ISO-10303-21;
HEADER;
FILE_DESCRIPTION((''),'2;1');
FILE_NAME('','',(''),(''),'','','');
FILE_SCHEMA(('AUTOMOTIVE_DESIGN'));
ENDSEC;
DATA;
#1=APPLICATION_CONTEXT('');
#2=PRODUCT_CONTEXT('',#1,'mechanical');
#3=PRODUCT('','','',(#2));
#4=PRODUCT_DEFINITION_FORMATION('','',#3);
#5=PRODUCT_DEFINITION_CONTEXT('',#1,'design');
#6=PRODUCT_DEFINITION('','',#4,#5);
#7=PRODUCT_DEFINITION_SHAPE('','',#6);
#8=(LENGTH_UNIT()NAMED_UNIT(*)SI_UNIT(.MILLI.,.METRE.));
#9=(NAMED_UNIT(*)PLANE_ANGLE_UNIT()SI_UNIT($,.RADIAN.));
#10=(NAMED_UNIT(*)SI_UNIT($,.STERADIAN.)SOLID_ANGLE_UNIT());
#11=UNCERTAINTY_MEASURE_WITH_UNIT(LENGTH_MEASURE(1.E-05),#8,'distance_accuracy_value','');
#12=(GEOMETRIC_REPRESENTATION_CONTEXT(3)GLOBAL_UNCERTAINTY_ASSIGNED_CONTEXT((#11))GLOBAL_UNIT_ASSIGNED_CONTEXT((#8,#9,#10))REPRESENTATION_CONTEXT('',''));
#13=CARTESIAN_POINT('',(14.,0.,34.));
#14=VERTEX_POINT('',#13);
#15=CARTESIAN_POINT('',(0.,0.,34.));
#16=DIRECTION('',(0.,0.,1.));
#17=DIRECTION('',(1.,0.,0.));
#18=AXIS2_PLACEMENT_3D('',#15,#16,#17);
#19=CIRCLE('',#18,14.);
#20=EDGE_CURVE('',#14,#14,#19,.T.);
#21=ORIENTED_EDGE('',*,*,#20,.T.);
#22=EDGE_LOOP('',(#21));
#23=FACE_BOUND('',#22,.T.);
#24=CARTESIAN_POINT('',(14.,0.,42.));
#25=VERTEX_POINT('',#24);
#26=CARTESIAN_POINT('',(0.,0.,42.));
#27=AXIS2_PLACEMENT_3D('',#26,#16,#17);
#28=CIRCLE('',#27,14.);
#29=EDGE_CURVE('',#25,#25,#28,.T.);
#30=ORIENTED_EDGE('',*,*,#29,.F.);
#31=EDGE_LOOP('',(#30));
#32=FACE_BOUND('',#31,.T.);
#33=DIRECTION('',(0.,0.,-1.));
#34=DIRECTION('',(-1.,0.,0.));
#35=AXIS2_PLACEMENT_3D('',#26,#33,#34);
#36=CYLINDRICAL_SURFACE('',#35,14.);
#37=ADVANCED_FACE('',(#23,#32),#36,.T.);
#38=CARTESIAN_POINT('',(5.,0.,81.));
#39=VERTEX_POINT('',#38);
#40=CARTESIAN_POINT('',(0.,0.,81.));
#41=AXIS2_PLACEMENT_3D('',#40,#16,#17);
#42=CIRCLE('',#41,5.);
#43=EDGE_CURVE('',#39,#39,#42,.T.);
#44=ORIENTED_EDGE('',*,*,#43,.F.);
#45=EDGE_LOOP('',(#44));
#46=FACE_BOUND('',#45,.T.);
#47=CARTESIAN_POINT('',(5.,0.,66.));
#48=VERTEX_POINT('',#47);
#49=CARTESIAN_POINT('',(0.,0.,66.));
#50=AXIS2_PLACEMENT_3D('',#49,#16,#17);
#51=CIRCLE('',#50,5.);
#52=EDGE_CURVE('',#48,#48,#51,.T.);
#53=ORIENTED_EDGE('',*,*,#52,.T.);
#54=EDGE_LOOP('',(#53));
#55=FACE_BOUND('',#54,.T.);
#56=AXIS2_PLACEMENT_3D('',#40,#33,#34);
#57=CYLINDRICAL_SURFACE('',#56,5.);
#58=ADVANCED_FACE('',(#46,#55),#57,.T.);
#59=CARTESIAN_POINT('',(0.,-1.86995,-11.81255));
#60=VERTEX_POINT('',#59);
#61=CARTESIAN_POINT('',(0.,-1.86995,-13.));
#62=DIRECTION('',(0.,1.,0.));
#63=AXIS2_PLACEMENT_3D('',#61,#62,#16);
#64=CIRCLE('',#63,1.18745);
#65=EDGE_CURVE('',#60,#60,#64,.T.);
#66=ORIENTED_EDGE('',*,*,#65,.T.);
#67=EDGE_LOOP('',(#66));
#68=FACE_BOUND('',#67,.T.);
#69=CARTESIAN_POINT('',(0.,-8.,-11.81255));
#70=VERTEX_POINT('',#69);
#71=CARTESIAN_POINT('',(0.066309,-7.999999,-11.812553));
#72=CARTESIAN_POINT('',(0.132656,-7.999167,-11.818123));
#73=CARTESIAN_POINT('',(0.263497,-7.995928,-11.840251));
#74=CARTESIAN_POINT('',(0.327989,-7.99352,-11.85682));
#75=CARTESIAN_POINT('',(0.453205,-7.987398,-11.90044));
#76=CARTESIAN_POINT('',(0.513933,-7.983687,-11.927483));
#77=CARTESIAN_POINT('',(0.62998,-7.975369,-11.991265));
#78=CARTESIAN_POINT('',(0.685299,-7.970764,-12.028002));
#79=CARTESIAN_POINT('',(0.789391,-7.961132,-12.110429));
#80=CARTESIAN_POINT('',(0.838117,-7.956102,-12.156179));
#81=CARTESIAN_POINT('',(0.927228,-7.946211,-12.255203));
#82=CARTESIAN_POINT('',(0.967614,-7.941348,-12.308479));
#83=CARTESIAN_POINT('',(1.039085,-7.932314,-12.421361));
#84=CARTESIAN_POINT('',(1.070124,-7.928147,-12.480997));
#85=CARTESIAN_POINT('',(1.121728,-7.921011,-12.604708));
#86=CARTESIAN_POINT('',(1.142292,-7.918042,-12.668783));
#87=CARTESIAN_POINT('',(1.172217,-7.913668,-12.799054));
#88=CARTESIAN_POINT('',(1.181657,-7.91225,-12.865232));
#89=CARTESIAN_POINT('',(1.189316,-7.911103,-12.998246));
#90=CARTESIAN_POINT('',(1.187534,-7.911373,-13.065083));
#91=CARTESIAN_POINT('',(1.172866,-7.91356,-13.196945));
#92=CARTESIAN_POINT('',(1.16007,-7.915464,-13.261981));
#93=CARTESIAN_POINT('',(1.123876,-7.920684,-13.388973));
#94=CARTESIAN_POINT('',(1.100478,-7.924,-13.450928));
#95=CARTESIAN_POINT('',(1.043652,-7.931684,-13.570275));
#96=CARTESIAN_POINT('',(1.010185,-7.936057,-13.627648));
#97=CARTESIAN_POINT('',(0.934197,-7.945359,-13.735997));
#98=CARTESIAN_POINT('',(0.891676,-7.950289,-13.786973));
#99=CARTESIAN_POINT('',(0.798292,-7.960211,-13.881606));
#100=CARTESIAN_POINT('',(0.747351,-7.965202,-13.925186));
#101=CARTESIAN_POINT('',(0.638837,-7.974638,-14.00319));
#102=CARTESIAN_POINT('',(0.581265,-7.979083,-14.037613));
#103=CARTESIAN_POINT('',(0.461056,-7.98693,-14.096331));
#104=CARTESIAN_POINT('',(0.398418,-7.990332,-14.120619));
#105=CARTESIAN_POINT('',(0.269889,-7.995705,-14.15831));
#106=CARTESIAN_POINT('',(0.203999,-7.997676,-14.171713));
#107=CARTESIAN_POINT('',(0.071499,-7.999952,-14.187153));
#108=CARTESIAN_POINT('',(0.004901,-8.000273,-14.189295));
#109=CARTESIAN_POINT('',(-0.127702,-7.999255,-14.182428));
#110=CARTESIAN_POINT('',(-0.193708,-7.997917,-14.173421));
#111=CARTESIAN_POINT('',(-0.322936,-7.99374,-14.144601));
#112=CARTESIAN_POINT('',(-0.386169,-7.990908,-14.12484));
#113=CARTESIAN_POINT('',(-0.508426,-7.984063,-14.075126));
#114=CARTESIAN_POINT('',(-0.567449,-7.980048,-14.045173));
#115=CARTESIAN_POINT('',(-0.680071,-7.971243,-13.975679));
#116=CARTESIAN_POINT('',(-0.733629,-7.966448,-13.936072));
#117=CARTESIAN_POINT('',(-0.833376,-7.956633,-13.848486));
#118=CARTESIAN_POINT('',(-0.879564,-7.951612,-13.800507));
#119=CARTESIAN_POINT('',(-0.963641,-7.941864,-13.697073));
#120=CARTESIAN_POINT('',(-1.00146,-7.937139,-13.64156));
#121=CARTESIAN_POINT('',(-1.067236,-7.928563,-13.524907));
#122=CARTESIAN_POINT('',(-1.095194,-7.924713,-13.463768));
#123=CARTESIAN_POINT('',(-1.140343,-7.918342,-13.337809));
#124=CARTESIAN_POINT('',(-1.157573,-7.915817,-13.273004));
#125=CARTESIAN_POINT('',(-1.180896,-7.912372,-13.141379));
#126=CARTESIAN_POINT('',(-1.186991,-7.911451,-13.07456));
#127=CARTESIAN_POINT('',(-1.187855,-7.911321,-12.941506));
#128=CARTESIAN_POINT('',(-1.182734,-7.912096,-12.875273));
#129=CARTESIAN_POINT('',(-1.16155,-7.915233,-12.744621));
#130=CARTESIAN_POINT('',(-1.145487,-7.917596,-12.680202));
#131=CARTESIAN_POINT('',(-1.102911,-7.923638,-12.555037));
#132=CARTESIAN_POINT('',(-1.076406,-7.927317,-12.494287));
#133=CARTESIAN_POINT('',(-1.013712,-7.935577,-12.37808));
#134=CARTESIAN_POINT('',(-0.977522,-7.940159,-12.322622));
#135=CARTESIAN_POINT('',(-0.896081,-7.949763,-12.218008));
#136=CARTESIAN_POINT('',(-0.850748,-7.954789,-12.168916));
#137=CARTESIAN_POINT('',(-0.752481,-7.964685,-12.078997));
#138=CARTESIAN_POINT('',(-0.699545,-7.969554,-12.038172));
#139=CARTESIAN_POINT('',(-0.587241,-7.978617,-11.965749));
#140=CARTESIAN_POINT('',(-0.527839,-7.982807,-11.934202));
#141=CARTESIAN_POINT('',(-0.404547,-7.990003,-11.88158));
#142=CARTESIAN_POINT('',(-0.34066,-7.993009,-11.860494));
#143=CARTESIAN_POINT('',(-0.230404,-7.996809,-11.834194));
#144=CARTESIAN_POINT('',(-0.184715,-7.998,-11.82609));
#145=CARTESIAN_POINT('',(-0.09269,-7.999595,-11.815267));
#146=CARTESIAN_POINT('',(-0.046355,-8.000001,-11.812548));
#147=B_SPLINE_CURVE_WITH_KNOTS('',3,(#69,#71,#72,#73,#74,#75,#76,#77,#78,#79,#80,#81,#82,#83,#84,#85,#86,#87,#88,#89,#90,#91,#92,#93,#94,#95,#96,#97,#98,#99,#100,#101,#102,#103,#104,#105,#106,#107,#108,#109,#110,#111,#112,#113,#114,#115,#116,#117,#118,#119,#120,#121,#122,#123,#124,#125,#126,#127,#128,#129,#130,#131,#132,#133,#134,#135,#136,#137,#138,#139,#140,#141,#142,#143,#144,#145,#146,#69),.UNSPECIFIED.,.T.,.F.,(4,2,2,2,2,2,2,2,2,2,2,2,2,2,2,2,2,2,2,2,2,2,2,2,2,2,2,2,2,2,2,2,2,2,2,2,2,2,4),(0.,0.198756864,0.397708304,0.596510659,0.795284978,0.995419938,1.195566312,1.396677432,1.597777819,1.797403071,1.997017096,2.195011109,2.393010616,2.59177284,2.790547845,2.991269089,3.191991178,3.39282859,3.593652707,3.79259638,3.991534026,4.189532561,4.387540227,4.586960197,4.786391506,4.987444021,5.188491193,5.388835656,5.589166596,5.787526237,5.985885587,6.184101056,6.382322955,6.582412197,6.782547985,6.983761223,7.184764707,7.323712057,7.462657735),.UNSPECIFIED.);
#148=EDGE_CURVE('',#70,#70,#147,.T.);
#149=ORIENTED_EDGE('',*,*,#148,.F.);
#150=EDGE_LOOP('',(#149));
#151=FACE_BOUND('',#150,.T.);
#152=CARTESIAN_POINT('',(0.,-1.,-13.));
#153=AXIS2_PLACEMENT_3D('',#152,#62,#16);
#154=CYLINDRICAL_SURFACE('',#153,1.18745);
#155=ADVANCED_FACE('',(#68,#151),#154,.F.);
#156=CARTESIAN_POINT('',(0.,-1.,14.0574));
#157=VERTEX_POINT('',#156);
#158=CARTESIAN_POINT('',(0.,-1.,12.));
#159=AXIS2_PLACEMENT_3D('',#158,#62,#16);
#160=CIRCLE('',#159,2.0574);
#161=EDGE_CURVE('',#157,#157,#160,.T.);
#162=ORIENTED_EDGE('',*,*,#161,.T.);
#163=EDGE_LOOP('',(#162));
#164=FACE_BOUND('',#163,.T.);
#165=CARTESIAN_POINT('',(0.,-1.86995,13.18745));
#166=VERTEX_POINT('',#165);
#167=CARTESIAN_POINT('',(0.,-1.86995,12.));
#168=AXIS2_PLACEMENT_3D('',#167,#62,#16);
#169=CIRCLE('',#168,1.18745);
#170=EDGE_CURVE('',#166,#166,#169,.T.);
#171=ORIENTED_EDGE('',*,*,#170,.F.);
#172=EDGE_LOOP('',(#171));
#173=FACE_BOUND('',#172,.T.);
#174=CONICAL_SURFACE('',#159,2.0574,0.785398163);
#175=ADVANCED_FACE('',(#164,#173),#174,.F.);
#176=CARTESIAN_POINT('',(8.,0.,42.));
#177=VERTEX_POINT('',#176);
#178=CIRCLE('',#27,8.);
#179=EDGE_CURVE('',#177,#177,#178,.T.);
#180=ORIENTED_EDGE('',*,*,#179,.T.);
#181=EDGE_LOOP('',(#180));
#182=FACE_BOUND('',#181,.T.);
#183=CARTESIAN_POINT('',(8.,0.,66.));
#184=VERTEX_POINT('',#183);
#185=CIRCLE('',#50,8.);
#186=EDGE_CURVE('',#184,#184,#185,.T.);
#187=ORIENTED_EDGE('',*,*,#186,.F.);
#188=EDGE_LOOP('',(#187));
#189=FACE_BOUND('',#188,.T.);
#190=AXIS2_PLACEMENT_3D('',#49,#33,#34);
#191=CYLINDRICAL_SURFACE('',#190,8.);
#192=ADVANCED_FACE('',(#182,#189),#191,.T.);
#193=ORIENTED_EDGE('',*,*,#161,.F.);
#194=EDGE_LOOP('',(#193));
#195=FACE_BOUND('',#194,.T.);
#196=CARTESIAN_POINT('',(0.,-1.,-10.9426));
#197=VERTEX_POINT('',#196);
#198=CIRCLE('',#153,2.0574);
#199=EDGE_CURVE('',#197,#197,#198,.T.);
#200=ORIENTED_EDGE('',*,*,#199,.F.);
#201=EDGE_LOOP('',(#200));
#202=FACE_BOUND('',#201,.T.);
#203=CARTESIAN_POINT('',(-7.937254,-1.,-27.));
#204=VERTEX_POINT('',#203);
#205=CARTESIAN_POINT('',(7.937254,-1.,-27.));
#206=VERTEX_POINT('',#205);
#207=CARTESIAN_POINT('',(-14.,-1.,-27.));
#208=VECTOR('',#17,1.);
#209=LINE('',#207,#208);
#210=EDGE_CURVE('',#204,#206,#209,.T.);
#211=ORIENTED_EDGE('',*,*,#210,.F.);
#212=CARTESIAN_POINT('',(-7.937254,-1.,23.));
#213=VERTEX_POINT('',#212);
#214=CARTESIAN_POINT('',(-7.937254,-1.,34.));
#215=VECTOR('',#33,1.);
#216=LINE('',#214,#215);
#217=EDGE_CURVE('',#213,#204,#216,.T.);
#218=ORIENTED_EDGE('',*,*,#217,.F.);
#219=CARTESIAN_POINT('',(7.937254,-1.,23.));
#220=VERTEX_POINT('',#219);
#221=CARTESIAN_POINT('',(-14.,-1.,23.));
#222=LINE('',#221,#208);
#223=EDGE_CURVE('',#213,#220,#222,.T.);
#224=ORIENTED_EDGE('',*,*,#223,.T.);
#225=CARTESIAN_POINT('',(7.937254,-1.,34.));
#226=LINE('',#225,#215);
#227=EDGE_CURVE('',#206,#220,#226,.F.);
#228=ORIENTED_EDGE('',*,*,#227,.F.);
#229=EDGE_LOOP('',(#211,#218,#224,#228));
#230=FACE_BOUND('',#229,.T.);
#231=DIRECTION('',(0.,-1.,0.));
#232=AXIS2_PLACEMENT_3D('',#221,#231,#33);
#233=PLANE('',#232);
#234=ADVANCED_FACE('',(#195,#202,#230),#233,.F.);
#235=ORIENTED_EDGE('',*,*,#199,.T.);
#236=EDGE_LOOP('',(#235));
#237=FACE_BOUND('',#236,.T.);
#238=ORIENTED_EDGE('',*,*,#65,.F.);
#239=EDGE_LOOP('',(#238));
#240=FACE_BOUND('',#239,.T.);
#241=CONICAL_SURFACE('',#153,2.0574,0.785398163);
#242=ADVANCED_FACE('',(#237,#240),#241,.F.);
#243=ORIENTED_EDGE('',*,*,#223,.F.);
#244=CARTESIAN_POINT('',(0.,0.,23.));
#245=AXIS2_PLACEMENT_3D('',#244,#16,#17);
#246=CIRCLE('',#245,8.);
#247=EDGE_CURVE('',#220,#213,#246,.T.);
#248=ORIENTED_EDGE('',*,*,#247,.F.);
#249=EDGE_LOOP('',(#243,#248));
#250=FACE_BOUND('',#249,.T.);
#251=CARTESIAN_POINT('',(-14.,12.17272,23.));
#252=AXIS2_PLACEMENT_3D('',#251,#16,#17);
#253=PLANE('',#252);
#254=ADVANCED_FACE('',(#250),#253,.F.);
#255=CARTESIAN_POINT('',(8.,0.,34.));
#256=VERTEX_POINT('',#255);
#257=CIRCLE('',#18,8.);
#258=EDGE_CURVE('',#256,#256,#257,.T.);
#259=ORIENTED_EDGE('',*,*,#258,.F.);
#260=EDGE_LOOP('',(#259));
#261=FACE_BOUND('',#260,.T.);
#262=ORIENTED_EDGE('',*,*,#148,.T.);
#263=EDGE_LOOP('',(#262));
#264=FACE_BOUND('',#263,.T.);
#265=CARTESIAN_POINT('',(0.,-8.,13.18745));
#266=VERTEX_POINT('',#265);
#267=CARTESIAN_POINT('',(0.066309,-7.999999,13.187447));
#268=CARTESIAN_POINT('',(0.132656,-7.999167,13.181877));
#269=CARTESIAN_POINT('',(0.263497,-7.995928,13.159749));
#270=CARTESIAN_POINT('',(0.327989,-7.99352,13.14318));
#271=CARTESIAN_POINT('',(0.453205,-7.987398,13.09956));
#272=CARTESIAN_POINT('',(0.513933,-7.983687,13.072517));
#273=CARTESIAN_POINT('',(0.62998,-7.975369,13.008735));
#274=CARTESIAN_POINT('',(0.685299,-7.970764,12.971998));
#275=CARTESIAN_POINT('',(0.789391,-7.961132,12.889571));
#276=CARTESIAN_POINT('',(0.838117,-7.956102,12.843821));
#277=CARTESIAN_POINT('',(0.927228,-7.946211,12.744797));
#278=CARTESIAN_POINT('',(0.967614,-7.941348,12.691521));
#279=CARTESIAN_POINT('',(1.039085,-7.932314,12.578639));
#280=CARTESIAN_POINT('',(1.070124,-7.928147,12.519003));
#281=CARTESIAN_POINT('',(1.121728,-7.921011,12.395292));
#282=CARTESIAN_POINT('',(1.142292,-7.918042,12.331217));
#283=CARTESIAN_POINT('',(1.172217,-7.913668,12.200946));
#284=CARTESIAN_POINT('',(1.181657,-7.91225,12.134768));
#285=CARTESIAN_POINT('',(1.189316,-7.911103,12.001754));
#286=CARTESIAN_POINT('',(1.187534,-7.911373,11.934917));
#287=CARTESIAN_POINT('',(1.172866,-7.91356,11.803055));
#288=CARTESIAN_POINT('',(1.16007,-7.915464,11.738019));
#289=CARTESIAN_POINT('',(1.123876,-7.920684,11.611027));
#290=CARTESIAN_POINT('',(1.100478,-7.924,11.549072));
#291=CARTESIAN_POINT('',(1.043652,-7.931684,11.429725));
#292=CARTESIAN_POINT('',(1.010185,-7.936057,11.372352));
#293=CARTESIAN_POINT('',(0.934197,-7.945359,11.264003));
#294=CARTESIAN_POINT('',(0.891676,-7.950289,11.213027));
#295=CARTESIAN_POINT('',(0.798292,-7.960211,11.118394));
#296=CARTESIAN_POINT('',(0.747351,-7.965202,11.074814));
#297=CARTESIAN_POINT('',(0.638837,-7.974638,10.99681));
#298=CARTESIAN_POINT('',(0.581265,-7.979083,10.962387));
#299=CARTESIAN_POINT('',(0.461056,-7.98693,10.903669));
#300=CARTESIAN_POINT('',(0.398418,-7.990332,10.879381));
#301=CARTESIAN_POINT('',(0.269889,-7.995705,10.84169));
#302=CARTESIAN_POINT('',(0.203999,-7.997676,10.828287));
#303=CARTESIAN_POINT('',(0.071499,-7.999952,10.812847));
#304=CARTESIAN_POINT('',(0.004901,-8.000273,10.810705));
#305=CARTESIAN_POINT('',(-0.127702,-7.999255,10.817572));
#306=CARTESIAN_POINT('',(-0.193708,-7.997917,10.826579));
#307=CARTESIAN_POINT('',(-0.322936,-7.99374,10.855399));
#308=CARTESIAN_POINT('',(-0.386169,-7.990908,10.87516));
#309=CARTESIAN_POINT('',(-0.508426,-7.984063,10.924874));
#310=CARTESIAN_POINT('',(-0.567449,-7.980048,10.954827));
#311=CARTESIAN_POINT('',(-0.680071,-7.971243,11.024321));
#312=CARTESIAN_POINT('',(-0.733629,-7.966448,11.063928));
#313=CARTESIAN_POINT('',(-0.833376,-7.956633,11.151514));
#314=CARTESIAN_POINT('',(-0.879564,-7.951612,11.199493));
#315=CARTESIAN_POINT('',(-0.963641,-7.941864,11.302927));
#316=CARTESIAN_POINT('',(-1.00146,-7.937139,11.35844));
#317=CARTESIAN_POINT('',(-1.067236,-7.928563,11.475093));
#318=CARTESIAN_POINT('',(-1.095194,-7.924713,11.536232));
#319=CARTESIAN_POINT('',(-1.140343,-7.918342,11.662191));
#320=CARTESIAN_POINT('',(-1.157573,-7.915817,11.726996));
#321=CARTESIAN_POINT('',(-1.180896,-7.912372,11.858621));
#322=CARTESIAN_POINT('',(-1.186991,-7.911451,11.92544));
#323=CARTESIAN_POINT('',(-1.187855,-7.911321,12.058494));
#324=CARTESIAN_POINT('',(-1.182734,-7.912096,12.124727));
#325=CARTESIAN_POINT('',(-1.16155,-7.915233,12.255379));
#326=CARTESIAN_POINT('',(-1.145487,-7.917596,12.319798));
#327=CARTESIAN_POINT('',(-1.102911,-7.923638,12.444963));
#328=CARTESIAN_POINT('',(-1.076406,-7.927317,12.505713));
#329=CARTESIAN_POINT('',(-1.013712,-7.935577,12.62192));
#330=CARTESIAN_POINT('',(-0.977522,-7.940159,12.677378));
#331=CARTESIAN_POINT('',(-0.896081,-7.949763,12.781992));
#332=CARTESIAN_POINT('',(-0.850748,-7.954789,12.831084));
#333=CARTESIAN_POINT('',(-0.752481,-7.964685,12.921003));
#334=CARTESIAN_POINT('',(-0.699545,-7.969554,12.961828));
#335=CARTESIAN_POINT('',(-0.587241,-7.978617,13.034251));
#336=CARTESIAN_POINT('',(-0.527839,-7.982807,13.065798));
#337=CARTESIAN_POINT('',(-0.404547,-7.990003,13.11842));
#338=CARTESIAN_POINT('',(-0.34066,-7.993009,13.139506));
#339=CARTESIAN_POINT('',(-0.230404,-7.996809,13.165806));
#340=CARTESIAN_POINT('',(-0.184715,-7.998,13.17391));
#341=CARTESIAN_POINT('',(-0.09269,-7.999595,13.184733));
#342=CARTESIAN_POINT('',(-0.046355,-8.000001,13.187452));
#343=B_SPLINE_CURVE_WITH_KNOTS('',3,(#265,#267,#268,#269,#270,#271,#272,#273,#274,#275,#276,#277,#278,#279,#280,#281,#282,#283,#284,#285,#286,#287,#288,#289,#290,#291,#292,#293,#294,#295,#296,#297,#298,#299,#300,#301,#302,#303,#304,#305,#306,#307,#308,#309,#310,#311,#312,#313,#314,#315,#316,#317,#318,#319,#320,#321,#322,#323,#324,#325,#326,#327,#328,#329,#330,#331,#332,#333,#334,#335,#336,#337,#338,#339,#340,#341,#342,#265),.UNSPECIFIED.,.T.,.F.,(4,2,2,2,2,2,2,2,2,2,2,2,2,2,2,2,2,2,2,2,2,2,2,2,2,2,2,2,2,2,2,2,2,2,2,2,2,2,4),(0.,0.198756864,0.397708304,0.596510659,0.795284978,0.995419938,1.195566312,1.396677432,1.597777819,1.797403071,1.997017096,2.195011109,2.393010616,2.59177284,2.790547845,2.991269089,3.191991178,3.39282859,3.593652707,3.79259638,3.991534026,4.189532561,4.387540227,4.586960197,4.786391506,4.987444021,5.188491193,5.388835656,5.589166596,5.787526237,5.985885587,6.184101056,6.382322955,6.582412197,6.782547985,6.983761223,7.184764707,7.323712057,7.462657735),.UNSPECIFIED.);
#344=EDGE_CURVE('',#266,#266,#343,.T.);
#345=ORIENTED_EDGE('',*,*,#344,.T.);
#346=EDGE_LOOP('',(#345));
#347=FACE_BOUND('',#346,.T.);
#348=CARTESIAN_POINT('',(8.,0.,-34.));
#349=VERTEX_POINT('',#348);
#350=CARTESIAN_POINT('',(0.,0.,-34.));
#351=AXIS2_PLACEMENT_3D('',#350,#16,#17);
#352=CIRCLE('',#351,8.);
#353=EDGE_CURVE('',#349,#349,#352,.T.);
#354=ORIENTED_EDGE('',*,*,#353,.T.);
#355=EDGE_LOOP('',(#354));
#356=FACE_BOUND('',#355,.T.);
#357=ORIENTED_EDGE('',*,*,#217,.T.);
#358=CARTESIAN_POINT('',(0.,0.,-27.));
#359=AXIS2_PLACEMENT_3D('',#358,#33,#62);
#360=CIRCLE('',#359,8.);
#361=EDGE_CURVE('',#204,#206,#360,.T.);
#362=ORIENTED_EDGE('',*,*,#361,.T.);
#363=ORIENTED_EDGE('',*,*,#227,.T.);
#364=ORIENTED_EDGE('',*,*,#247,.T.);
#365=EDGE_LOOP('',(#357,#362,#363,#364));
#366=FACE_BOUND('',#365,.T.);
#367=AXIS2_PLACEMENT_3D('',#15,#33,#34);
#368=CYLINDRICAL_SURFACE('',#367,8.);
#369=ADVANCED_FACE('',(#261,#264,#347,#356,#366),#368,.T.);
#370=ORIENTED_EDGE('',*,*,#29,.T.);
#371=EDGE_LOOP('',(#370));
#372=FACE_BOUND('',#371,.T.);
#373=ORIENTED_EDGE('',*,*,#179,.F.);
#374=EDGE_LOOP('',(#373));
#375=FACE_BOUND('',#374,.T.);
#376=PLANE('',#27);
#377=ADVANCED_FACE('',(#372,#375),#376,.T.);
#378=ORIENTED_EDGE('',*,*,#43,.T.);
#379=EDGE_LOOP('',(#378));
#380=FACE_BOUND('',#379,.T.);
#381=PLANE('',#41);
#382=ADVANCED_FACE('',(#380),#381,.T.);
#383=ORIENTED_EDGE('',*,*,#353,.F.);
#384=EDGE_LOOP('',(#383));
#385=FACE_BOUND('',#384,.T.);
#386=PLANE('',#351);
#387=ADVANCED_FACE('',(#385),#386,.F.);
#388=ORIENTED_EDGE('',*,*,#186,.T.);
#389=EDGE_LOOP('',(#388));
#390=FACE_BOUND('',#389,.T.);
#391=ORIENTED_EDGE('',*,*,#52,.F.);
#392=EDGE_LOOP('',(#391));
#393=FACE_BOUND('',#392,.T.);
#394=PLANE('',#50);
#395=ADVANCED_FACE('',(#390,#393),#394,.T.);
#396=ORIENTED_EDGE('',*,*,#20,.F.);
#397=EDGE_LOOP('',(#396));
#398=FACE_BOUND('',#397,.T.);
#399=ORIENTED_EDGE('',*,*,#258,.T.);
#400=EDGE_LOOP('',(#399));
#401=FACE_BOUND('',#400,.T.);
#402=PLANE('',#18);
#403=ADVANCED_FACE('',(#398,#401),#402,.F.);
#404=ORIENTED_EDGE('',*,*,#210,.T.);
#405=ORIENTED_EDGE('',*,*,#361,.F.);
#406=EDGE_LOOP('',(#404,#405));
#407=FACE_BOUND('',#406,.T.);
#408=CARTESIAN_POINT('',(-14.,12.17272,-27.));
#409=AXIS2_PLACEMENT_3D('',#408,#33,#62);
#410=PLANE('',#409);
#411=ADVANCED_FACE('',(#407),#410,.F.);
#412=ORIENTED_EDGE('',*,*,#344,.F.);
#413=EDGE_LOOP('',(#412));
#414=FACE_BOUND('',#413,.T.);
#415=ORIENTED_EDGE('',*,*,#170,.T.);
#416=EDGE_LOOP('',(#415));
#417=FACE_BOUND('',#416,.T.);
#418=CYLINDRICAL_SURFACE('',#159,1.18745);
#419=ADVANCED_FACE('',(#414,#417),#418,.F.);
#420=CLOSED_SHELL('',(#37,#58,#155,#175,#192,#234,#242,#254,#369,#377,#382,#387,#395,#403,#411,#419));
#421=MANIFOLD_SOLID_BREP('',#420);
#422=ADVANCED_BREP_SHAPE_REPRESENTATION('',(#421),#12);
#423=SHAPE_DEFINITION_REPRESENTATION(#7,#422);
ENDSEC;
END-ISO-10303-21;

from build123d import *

# Parameters (mm, degrees)
SKETCH1_R                       = 8
BOSS_EXTRUDE1_DEPTH             = 34
SKETCH2_R                       = 14
BOSS_EXTRUDE2_DEPTH             = 8
SKETCH3_R                       = 8
BOSS_EXTRUDE3_DEPTH             = 24
SKETCH4_R                       = 5
BOSS_EXTRUDE4_DEPTH             = 15
SKETCH5_W                       = 50
SKETCH5_H                       = 13.172720446
CUT_EXTRUDE1_DEPTH              = 15
CUT_EXTRUDE1_DEPTH_BACK         = 15
F_4_48_TAPPED_HOLE1_D           = 2.3749
F_4_48_TAPPED_HOLE1_DEPTH       = 10.35
F_4_48_TAPPED_HOLE1_CSINK_D     = 4.1148
F_4_48_TAPPED_HOLE1_CSINK_ANGLE = 90
F_4_48_TAPPED_HOLE1_TIP         = 0.713491942


with BuildPart() as part:
    # Sketch1 → Boss-Extrude1 (new body, symmetric)
    with BuildSketch(Plane.XY):
        Circle(SKETCH1_R)
    extrude(amount=BOSS_EXTRUDE1_DEPTH, both=True)

    # Sketch2 → Boss-Extrude2 (add)
    with BuildSketch(Plane.XY.offset(34)):
        Circle(SKETCH2_R)
    extrude(amount=BOSS_EXTRUDE2_DEPTH)

    # Sketch3 → Boss-Extrude3 (add)
    with BuildSketch(Plane.XY.offset(42)):
        Circle(SKETCH3_R)
    extrude(amount=BOSS_EXTRUDE3_DEPTH)

    # Sketch4 → Boss-Extrude4 (add)
    with BuildSketch(Plane.XY.offset(66)):
        Circle(SKETCH4_R)
    extrude(amount=BOSS_EXTRUDE4_DEPTH)

    # Sketch5 → Cut-Extrude1 (cut, two sides)
    with BuildSketch(Plane(origin=(0, 0, 0), x_dir=(0, 0, -1), z_dir=(1, 0, 0))) as cut_extrude1_sk:
        with Locations((2, 5.586360223)):
            Rectangle(SKETCH5_W, SKETCH5_H)
    extrude(amount=CUT_EXTRUDE1_DEPTH, mode=Mode.SUBTRACT)
    extrude(cut_extrude1_sk.sketch, amount=-CUT_EXTRUDE1_DEPTH_BACK, mode=Mode.SUBTRACT)

    # #4-48 Tapped Hole1
    with Locations(Plane(origin=(0, -1, 0), x_dir=(1, 0, 0), z_dir=(0, 1, 0))):
        with Locations((0, -12), (0, 13)):
            CounterSinkHole(F_4_48_TAPPED_HOLE1_D / 2, F_4_48_TAPPED_HOLE1_CSINK_D / 2, depth=F_4_48_TAPPED_HOLE1_DEPTH, counter_sink_angle=F_4_48_TAPPED_HOLE1_CSINK_ANGLE)
            with Locations((0, 0, -(F_4_48_TAPPED_HOLE1_DEPTH + F_4_48_TAPPED_HOLE1_TIP / 2))):  # 118° drill point
                Cone(0, F_4_48_TAPPED_HOLE1_D / 2, F_4_48_TAPPED_HOLE1_TIP, mode=Mode.SUBTRACT)


solid = part.part
